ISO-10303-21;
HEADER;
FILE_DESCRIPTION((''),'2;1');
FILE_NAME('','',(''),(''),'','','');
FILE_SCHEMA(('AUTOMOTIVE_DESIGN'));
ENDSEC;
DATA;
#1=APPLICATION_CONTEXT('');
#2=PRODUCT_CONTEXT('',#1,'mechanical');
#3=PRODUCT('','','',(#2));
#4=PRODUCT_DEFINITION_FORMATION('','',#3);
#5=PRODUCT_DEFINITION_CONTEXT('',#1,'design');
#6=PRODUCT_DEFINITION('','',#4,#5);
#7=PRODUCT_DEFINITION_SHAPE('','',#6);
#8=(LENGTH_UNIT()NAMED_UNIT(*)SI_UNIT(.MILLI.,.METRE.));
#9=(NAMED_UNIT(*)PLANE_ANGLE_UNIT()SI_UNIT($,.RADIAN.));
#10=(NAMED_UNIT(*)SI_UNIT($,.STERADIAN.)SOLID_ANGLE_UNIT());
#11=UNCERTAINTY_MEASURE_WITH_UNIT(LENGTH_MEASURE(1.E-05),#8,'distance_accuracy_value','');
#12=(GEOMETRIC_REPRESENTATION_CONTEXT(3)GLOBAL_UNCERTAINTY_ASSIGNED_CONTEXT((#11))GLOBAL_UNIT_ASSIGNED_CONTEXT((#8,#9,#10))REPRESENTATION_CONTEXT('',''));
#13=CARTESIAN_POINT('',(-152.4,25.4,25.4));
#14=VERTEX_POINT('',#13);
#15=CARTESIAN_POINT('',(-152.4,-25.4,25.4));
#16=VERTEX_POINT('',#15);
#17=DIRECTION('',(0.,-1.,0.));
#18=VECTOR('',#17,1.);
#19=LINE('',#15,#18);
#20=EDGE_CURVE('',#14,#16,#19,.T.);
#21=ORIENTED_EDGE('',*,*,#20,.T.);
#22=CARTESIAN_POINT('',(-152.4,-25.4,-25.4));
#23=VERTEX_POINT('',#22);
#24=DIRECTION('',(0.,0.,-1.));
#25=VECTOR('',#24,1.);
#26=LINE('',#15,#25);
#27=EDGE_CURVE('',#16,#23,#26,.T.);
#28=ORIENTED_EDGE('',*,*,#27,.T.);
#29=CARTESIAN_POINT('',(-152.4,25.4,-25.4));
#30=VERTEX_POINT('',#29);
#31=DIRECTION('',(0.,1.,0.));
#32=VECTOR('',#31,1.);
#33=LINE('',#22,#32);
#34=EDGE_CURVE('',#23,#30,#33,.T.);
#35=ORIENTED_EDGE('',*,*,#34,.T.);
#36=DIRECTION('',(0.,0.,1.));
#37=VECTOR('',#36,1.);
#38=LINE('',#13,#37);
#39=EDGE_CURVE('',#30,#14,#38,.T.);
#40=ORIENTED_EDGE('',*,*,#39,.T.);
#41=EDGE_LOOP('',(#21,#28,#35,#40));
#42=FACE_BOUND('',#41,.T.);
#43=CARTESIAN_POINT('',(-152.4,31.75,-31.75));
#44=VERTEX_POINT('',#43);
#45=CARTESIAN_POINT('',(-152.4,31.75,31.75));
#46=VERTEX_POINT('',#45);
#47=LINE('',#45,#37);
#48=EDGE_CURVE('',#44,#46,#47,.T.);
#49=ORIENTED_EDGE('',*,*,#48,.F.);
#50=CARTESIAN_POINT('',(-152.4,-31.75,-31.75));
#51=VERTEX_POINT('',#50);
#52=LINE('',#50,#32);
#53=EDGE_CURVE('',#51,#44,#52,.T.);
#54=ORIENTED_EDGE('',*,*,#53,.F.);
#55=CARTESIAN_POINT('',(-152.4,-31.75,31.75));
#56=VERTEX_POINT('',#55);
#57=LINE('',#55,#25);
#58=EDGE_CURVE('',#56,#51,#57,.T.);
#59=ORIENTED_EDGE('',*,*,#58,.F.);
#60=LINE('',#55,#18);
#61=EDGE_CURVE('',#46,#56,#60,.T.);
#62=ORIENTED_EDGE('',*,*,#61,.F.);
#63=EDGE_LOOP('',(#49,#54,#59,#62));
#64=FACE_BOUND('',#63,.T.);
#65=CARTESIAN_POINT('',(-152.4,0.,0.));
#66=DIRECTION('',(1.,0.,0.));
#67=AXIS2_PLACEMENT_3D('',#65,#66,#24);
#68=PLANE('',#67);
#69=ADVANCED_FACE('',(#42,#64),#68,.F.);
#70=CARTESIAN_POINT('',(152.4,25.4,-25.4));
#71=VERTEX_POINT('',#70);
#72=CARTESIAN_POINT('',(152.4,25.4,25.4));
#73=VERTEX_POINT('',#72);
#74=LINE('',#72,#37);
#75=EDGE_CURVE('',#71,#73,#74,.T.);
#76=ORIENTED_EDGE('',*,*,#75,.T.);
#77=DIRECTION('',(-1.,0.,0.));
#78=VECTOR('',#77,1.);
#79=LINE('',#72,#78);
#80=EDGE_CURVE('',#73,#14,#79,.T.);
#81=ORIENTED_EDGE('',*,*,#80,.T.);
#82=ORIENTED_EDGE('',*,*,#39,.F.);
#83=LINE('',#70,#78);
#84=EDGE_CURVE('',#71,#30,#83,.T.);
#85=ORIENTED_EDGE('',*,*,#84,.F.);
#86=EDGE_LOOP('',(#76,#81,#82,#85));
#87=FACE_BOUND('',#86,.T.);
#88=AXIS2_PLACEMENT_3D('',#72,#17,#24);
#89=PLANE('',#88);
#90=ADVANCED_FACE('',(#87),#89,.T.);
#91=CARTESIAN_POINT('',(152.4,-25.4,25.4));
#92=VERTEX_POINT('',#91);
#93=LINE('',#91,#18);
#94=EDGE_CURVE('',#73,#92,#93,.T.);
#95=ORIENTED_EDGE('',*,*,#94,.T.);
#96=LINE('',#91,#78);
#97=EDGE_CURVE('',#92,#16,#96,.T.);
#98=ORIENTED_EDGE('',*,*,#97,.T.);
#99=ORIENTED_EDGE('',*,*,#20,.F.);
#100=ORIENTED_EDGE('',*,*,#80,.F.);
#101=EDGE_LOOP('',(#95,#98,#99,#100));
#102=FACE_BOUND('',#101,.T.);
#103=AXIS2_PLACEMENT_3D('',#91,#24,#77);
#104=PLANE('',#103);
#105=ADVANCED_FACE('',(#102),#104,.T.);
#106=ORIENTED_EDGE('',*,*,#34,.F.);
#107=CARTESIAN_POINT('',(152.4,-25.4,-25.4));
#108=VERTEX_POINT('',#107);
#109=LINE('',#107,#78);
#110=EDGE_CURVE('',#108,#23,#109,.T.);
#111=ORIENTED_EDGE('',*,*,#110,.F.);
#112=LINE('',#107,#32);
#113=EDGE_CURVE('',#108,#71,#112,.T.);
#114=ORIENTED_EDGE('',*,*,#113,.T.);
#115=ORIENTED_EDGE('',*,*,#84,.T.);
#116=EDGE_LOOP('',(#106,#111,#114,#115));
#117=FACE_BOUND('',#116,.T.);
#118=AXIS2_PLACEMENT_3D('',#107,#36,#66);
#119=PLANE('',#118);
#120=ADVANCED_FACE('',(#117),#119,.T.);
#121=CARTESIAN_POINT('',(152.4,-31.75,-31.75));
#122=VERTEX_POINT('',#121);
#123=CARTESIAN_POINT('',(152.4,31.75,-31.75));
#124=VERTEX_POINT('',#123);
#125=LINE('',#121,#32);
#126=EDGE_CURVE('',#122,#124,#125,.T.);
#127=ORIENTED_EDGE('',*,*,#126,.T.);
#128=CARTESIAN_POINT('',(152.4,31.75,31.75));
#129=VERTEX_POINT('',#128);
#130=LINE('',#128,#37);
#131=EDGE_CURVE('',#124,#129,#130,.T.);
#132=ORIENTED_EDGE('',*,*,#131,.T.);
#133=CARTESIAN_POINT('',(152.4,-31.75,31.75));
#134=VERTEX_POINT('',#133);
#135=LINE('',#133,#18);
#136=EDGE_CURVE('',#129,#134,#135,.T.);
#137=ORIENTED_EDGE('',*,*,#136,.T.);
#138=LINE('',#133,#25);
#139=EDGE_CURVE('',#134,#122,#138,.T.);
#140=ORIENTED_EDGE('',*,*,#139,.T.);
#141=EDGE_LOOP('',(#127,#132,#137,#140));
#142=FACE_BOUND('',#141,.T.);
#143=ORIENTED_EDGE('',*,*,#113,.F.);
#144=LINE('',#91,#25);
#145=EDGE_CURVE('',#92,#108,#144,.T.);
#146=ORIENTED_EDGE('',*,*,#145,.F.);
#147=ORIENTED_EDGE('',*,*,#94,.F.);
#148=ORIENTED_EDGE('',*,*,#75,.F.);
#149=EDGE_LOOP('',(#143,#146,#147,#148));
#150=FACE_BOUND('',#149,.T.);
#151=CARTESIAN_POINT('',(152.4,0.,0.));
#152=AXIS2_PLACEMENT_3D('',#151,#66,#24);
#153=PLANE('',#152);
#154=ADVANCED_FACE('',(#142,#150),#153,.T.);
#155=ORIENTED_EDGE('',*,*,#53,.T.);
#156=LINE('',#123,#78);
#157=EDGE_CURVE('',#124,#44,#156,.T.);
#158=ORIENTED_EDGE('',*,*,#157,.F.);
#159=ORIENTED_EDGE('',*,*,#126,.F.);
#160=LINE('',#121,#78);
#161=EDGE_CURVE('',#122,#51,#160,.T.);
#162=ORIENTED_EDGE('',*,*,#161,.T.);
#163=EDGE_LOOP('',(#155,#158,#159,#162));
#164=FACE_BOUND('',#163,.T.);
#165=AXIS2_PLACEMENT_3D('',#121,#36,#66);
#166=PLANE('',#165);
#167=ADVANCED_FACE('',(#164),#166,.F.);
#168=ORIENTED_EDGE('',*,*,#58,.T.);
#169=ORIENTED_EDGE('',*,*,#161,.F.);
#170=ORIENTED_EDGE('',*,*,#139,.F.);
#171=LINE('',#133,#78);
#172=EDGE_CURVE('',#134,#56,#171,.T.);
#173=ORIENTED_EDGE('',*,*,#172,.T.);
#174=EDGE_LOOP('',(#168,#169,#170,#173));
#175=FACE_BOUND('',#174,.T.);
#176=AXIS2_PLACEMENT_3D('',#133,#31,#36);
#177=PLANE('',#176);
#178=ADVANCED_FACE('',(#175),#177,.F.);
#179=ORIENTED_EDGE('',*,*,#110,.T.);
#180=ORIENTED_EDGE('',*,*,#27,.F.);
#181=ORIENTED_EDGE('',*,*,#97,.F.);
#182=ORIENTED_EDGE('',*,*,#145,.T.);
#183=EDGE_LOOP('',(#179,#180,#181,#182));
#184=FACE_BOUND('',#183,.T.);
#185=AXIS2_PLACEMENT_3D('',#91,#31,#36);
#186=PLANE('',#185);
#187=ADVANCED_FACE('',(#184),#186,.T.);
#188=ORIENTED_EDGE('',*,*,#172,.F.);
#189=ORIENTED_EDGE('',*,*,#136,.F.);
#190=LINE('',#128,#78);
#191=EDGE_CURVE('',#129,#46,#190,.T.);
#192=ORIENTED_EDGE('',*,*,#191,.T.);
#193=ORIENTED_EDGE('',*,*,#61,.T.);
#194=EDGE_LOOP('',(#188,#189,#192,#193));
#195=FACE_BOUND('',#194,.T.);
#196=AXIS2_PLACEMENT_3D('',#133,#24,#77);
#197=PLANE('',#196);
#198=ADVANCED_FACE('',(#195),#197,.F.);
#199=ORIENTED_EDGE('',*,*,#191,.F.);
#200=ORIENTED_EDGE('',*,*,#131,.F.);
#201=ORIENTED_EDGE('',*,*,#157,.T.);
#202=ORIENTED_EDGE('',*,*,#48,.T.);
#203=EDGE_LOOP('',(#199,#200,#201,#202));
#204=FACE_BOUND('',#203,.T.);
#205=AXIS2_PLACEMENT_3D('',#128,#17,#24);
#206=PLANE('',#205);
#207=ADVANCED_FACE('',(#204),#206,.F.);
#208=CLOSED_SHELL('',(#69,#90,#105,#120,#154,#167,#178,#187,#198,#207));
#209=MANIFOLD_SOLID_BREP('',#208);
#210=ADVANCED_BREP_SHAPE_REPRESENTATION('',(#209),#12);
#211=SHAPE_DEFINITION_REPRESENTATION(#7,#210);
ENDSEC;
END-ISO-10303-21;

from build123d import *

# Parameters (mm, degrees)
SKETCH1_W           = 63.5
SKETCH1_H           = 63.5
SKETCH1_W_2         = 50.8
SKETCH1_H_2         = 50.8
BOSS_EXTRUDE1_DEPTH = 152.4


with BuildPart() as part:
    # Sketch1 → Boss-Extrude1 (new body, symmetric)
    with BuildSketch(Plane(origin=(0, 0, 0), x_dir=(0, 0, -1), z_dir=(1, 0, 0))):
        Rectangle(SKETCH1_W, SKETCH1_H)
        Rectangle(SKETCH1_W_2, SKETCH1_H_2, mode=Mode.SUBTRACT)
    extrude(amount=BOSS_EXTRUDE1_DEPTH, both=True)


solid = part.part
